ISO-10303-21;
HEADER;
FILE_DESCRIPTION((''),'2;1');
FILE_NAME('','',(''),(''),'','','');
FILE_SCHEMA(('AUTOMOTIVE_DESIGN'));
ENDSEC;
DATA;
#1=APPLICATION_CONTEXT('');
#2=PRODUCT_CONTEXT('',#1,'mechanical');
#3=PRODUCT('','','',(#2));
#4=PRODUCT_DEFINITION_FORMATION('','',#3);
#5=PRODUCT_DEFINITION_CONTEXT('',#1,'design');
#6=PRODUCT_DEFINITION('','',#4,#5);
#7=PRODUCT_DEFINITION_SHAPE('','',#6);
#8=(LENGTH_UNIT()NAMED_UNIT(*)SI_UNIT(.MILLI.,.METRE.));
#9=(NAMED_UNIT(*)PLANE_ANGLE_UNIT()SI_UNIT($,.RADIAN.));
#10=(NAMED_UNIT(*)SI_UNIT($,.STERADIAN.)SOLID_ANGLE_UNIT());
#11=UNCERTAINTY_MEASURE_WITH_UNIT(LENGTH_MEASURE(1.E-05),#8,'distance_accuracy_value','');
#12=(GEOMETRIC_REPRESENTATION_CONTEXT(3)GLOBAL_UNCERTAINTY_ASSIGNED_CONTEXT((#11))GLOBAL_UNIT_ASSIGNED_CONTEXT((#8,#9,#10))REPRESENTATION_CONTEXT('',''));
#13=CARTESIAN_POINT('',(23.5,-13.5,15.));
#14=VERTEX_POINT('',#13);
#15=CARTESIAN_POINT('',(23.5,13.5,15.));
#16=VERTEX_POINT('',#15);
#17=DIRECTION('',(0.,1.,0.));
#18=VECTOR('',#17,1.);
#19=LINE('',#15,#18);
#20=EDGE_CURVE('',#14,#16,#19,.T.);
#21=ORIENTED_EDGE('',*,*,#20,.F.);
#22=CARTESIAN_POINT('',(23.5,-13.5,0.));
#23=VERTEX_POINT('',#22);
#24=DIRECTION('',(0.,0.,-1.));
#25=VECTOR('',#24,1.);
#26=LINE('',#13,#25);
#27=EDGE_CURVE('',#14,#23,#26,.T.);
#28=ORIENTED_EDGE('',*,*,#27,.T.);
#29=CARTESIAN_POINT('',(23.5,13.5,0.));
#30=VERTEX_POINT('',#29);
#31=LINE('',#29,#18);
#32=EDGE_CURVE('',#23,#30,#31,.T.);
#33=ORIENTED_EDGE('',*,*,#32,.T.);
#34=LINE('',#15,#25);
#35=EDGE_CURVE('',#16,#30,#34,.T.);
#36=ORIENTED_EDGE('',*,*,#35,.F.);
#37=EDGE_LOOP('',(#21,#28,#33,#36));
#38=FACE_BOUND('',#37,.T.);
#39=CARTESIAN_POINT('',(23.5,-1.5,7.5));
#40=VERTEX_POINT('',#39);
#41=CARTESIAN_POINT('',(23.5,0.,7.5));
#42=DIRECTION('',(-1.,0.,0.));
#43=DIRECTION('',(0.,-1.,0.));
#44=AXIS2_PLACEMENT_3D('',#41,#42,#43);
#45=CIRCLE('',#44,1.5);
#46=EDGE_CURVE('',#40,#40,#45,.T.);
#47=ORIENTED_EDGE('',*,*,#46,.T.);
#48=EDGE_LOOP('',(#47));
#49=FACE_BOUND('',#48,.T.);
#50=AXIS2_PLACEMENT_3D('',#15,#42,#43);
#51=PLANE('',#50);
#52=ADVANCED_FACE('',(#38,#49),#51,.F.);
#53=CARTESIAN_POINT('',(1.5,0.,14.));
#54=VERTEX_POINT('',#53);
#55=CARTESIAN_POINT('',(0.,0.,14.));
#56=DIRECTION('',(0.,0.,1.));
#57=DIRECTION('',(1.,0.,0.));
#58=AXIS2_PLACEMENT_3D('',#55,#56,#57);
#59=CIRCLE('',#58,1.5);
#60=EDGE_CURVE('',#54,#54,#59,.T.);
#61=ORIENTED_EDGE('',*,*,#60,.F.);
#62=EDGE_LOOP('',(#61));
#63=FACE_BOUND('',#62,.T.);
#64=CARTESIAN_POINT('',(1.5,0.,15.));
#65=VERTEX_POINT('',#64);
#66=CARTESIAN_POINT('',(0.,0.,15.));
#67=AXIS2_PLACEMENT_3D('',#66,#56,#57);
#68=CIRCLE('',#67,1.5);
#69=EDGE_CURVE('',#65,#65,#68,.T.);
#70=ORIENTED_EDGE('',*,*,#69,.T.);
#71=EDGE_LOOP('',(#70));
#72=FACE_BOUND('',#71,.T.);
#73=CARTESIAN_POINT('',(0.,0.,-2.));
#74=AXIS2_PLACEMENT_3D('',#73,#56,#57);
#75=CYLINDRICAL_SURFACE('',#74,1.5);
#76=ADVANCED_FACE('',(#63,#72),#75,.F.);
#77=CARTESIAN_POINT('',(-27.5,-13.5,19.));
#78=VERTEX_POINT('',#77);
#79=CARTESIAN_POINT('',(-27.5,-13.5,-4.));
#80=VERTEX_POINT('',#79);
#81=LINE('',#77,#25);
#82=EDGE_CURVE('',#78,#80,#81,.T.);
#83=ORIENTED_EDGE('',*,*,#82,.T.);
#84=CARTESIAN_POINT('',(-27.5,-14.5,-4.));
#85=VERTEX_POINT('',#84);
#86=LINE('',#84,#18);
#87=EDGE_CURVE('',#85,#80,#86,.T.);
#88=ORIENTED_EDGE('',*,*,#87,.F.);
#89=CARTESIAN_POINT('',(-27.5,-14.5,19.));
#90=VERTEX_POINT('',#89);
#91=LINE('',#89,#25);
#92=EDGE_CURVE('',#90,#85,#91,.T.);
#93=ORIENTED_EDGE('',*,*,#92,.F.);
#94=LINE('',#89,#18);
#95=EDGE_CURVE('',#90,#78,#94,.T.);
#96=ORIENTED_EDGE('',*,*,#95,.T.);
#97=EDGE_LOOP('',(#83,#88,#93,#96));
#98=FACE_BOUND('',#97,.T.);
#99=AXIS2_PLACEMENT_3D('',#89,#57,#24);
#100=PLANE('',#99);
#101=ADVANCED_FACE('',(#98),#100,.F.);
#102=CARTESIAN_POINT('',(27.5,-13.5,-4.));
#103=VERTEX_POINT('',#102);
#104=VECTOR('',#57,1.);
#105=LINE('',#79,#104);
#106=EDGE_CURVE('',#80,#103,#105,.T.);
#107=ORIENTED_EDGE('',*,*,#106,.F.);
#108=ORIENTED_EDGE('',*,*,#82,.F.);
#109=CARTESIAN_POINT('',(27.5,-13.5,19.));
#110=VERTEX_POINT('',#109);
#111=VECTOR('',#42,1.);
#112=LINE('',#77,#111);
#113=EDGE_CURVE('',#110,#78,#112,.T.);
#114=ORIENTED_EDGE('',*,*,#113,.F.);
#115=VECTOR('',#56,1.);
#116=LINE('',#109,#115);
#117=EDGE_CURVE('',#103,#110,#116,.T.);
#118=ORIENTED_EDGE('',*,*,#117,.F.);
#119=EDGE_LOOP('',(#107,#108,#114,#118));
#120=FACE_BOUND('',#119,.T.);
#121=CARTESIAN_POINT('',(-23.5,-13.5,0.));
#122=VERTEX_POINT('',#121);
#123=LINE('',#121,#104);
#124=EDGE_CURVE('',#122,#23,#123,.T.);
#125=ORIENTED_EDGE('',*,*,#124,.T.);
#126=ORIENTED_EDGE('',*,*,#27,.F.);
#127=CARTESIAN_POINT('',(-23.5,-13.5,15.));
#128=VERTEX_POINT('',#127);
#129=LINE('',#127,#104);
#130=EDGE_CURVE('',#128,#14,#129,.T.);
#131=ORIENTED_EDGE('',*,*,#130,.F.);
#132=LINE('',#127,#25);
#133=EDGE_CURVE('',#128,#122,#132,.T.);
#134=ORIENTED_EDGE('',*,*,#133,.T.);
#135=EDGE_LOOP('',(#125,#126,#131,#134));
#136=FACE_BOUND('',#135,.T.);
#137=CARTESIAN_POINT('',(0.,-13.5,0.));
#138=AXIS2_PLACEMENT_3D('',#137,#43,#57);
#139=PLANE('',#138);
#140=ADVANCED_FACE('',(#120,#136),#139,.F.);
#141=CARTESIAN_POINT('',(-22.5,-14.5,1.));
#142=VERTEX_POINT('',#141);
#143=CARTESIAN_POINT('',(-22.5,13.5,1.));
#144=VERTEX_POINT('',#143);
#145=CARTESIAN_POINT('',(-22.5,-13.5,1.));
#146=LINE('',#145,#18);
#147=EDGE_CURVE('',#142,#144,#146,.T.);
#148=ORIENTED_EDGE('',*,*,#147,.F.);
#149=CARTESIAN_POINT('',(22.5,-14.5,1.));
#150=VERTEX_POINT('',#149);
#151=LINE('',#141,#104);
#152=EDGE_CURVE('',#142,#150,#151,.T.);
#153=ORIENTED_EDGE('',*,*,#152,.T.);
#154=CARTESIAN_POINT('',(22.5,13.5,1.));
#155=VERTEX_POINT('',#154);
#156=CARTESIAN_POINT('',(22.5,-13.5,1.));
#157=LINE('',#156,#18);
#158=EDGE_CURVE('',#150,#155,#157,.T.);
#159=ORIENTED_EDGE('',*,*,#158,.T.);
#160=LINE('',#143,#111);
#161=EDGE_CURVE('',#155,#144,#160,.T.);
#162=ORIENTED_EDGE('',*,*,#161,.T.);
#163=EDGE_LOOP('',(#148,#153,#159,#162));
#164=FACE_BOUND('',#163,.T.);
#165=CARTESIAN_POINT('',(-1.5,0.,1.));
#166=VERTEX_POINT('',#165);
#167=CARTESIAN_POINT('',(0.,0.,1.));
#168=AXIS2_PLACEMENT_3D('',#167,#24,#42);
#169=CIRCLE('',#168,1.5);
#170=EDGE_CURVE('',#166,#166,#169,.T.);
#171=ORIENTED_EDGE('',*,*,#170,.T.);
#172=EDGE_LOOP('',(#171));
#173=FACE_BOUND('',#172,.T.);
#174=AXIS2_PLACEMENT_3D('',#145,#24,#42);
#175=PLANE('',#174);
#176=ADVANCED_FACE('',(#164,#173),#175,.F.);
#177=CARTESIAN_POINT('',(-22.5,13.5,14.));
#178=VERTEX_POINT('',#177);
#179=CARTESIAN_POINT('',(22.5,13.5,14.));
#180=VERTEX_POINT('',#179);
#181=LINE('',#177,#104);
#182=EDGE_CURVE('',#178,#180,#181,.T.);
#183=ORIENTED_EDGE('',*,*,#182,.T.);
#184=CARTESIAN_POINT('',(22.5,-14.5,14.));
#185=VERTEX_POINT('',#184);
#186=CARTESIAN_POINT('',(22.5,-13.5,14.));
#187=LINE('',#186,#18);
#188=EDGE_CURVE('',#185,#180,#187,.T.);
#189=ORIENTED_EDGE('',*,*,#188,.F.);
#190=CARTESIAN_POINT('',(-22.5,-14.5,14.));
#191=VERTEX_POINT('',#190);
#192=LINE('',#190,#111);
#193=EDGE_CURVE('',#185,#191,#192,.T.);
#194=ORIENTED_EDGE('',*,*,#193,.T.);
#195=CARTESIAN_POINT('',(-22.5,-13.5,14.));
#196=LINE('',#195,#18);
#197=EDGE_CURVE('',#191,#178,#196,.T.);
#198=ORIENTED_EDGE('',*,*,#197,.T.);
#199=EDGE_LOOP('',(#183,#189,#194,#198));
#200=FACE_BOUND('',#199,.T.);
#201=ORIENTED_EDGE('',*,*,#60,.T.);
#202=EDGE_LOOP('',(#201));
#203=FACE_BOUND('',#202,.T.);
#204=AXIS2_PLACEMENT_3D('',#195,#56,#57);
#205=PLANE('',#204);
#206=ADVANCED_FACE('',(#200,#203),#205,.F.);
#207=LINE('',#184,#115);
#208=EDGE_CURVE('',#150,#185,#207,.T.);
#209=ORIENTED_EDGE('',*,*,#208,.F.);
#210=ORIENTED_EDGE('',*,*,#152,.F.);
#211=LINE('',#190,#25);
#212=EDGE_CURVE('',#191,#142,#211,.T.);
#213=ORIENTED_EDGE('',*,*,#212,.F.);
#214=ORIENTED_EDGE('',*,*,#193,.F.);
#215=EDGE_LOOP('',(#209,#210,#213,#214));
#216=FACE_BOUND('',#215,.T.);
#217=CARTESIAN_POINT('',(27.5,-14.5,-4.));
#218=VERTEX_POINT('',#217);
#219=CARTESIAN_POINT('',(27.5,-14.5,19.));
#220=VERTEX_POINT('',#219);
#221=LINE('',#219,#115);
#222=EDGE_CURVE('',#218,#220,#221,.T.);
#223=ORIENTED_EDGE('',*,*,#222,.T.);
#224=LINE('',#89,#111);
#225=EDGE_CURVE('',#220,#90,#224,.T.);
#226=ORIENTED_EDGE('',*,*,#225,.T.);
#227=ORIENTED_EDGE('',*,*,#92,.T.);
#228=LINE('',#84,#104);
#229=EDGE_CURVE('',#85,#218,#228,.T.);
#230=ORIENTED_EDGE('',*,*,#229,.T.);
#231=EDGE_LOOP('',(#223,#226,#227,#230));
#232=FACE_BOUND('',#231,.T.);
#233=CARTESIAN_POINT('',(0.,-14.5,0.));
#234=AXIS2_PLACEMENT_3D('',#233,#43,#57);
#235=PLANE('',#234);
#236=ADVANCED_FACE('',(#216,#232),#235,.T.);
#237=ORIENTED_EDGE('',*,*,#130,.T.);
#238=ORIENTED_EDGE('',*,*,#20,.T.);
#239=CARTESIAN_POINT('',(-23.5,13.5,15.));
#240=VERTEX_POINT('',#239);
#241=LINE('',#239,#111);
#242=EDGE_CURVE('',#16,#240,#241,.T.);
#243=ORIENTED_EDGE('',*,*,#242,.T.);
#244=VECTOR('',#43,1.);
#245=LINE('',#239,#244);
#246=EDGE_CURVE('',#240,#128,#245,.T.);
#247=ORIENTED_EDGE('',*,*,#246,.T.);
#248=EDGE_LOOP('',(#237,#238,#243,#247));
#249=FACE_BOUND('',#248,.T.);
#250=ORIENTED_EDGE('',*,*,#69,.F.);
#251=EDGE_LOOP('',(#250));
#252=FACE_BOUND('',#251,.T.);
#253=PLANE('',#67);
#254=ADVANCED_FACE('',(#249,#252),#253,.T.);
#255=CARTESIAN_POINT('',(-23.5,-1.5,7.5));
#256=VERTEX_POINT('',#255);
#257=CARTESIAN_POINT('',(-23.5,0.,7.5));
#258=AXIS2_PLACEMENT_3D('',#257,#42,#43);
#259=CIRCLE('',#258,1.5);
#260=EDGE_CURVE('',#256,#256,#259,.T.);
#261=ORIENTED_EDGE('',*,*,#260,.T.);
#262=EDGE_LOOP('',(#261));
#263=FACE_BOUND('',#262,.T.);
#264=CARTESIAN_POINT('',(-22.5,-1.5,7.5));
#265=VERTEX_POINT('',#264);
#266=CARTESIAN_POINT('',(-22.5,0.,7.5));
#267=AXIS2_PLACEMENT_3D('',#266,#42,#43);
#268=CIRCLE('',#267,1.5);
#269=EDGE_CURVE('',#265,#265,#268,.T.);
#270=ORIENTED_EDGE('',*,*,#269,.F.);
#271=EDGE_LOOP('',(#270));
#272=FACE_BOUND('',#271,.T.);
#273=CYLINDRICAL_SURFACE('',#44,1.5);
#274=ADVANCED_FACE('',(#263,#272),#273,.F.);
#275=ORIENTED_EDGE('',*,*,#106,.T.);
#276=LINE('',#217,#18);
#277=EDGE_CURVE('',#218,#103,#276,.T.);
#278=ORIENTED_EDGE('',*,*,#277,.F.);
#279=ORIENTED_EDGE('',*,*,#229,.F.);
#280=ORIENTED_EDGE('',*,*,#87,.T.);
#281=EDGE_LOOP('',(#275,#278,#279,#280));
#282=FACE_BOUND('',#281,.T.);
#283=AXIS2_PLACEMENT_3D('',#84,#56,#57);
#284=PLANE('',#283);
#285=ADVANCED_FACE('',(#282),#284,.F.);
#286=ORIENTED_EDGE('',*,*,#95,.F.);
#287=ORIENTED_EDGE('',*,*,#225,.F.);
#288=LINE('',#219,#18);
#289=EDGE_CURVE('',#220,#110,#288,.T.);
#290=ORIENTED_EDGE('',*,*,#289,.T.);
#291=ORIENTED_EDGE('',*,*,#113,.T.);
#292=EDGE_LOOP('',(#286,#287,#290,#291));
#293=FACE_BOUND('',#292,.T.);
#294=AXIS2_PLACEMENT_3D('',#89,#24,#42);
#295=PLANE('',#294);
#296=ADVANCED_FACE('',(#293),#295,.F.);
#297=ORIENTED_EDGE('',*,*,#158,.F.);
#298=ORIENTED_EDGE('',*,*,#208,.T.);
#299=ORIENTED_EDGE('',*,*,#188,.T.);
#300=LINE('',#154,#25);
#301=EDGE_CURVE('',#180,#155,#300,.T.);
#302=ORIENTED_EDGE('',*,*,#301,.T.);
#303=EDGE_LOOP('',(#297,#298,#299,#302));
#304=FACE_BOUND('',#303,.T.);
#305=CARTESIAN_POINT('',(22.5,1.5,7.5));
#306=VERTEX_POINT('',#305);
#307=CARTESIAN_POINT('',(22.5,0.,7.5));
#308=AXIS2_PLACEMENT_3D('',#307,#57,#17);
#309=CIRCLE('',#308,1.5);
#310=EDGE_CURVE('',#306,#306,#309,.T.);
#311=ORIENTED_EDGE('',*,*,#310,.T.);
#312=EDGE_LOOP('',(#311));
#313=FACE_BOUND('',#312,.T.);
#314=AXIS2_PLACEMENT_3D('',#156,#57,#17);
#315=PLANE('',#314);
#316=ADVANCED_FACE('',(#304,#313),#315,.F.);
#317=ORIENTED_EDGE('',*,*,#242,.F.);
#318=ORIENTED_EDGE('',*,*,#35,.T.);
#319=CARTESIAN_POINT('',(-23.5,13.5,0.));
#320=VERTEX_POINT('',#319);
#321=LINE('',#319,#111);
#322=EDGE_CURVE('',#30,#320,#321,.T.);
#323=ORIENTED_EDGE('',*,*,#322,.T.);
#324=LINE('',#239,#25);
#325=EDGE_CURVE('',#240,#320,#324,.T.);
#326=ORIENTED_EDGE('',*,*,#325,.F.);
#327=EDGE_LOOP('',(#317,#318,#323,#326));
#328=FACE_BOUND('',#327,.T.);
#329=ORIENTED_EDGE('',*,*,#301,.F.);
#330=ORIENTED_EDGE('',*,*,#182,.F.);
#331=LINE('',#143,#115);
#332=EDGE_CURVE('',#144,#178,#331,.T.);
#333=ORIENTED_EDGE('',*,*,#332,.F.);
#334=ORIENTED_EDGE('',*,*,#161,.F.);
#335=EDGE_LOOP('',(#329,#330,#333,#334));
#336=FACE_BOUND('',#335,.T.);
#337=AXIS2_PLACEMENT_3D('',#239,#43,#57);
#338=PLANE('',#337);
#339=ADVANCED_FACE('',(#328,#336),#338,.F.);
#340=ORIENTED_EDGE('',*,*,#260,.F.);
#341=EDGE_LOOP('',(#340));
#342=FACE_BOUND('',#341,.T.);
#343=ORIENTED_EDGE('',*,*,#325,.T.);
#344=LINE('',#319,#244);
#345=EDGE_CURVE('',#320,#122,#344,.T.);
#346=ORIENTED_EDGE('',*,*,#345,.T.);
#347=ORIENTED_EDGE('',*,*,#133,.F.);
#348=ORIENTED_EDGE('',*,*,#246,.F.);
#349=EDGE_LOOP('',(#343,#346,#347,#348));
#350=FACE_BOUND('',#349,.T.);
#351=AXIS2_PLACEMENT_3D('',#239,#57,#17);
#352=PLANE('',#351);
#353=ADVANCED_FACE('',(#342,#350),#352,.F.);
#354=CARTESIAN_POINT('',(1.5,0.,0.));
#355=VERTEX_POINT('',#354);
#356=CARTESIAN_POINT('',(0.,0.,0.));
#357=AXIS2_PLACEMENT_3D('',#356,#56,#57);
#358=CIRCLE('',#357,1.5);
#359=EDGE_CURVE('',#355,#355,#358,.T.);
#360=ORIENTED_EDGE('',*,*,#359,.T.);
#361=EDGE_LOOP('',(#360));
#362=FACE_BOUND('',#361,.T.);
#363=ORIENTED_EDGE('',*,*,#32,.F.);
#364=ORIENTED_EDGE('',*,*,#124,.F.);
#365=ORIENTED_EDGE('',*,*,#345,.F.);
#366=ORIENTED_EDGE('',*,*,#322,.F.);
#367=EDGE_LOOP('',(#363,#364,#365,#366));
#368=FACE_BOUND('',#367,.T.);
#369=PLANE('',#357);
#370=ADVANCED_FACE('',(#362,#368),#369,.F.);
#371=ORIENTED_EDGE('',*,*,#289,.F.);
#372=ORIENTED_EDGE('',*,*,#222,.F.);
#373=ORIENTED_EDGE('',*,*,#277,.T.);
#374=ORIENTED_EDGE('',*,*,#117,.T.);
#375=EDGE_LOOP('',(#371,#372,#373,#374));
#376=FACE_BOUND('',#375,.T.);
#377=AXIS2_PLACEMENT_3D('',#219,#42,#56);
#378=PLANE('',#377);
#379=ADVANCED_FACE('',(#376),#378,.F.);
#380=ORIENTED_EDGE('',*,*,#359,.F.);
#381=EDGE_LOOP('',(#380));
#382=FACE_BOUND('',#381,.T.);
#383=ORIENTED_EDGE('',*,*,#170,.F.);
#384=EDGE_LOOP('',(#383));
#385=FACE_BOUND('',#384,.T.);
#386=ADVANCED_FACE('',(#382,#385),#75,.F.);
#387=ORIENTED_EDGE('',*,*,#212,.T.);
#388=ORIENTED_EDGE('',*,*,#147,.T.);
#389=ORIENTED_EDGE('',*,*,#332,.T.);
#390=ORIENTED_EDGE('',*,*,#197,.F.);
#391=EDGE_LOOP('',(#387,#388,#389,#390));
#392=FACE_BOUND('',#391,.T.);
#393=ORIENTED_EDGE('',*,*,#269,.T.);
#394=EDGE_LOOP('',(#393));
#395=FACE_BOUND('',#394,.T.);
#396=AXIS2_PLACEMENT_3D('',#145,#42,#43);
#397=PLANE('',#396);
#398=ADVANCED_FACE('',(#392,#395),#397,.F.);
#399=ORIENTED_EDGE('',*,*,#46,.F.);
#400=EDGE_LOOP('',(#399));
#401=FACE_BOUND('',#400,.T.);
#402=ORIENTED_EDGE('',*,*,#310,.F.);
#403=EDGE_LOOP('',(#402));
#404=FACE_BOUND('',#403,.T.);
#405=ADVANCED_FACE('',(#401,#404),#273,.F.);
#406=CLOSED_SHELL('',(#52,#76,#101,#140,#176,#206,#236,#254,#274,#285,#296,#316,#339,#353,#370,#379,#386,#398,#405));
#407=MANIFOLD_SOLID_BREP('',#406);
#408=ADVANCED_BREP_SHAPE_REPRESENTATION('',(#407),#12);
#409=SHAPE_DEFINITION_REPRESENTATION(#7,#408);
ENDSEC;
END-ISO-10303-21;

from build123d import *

# Parameters (mm, degrees)
SKETCH1_W           = 47
SKETCH1_H           = 27
BOSS_EXTRUDE1_DEPTH = 15
SKETCH2_W           = 45
SKETCH2_H           = 13
CUT_EXTRUDE1_DEPTH  = 27
SKETCH3_W           = 55
SKETCH3_H           = 23
SKETCH3_W_2         = 45
SKETCH3_H_2         = 13
BOSS_EXTRUDE2_DEPTH = 1
SKETCH4_R           = 1.5
CUT_EXTRUDE2_DEPTH  = 17
SKETCH5_R           = 1.5
CUT_EXTRUDE3_DEPTH  = 47


with BuildPart() as part:
    # Sketch1 → Boss-Extrude1 (new body)
    with BuildSketch(Plane.XY):
        Rectangle(SKETCH1_W, SKETCH1_H)
    extrude(amount=BOSS_EXTRUDE1_DEPTH)

    # Sketch2 → Cut-Extrude1 (cut)
    with BuildSketch(Plane(origin=(0, 13.5, 0), x_dir=(1, 0, 0), z_dir=(0, 1, 0))):
        with Locations((0, -7.5)):
            Rectangle(SKETCH2_W, SKETCH2_H)
    extrude(amount=-CUT_EXTRUDE1_DEPTH, mode=Mode.SUBTRACT)

    # Sketch3 → Boss-Extrude2 (add)
    with BuildSketch(Plane.XZ.offset(13.5)):
        with Locations((0, 7.5)):
            Rectangle(SKETCH3_W, SKETCH3_H)
        with Locations((0, 7.5)):
            Rectangle(SKETCH3_W_2, SKETCH3_H_2, mode=Mode.SUBTRACT)
    extrude(amount=BOSS_EXTRUDE2_DEPTH)

    # Sketch4 → Cut-Extrude2 (cut)
    with BuildSketch(Plane.XY.offset(15)):
        Circle(SKETCH4_R)
    extrude(amount=-CUT_EXTRUDE2_DEPTH, mode=Mode.SUBTRACT)

    # Sketch5 → Cut-Extrude3 (cut)
    with BuildSketch(Plane.ZY.offset(23.5)):
        with Locations(Location((7.5, 0, 0), (0, 0, 270))):
            Circle(SKETCH5_R)
    extrude(amount=-CUT_EXTRUDE3_DEPTH, mode=Mode.SUBTRACT)


solid = part.part
